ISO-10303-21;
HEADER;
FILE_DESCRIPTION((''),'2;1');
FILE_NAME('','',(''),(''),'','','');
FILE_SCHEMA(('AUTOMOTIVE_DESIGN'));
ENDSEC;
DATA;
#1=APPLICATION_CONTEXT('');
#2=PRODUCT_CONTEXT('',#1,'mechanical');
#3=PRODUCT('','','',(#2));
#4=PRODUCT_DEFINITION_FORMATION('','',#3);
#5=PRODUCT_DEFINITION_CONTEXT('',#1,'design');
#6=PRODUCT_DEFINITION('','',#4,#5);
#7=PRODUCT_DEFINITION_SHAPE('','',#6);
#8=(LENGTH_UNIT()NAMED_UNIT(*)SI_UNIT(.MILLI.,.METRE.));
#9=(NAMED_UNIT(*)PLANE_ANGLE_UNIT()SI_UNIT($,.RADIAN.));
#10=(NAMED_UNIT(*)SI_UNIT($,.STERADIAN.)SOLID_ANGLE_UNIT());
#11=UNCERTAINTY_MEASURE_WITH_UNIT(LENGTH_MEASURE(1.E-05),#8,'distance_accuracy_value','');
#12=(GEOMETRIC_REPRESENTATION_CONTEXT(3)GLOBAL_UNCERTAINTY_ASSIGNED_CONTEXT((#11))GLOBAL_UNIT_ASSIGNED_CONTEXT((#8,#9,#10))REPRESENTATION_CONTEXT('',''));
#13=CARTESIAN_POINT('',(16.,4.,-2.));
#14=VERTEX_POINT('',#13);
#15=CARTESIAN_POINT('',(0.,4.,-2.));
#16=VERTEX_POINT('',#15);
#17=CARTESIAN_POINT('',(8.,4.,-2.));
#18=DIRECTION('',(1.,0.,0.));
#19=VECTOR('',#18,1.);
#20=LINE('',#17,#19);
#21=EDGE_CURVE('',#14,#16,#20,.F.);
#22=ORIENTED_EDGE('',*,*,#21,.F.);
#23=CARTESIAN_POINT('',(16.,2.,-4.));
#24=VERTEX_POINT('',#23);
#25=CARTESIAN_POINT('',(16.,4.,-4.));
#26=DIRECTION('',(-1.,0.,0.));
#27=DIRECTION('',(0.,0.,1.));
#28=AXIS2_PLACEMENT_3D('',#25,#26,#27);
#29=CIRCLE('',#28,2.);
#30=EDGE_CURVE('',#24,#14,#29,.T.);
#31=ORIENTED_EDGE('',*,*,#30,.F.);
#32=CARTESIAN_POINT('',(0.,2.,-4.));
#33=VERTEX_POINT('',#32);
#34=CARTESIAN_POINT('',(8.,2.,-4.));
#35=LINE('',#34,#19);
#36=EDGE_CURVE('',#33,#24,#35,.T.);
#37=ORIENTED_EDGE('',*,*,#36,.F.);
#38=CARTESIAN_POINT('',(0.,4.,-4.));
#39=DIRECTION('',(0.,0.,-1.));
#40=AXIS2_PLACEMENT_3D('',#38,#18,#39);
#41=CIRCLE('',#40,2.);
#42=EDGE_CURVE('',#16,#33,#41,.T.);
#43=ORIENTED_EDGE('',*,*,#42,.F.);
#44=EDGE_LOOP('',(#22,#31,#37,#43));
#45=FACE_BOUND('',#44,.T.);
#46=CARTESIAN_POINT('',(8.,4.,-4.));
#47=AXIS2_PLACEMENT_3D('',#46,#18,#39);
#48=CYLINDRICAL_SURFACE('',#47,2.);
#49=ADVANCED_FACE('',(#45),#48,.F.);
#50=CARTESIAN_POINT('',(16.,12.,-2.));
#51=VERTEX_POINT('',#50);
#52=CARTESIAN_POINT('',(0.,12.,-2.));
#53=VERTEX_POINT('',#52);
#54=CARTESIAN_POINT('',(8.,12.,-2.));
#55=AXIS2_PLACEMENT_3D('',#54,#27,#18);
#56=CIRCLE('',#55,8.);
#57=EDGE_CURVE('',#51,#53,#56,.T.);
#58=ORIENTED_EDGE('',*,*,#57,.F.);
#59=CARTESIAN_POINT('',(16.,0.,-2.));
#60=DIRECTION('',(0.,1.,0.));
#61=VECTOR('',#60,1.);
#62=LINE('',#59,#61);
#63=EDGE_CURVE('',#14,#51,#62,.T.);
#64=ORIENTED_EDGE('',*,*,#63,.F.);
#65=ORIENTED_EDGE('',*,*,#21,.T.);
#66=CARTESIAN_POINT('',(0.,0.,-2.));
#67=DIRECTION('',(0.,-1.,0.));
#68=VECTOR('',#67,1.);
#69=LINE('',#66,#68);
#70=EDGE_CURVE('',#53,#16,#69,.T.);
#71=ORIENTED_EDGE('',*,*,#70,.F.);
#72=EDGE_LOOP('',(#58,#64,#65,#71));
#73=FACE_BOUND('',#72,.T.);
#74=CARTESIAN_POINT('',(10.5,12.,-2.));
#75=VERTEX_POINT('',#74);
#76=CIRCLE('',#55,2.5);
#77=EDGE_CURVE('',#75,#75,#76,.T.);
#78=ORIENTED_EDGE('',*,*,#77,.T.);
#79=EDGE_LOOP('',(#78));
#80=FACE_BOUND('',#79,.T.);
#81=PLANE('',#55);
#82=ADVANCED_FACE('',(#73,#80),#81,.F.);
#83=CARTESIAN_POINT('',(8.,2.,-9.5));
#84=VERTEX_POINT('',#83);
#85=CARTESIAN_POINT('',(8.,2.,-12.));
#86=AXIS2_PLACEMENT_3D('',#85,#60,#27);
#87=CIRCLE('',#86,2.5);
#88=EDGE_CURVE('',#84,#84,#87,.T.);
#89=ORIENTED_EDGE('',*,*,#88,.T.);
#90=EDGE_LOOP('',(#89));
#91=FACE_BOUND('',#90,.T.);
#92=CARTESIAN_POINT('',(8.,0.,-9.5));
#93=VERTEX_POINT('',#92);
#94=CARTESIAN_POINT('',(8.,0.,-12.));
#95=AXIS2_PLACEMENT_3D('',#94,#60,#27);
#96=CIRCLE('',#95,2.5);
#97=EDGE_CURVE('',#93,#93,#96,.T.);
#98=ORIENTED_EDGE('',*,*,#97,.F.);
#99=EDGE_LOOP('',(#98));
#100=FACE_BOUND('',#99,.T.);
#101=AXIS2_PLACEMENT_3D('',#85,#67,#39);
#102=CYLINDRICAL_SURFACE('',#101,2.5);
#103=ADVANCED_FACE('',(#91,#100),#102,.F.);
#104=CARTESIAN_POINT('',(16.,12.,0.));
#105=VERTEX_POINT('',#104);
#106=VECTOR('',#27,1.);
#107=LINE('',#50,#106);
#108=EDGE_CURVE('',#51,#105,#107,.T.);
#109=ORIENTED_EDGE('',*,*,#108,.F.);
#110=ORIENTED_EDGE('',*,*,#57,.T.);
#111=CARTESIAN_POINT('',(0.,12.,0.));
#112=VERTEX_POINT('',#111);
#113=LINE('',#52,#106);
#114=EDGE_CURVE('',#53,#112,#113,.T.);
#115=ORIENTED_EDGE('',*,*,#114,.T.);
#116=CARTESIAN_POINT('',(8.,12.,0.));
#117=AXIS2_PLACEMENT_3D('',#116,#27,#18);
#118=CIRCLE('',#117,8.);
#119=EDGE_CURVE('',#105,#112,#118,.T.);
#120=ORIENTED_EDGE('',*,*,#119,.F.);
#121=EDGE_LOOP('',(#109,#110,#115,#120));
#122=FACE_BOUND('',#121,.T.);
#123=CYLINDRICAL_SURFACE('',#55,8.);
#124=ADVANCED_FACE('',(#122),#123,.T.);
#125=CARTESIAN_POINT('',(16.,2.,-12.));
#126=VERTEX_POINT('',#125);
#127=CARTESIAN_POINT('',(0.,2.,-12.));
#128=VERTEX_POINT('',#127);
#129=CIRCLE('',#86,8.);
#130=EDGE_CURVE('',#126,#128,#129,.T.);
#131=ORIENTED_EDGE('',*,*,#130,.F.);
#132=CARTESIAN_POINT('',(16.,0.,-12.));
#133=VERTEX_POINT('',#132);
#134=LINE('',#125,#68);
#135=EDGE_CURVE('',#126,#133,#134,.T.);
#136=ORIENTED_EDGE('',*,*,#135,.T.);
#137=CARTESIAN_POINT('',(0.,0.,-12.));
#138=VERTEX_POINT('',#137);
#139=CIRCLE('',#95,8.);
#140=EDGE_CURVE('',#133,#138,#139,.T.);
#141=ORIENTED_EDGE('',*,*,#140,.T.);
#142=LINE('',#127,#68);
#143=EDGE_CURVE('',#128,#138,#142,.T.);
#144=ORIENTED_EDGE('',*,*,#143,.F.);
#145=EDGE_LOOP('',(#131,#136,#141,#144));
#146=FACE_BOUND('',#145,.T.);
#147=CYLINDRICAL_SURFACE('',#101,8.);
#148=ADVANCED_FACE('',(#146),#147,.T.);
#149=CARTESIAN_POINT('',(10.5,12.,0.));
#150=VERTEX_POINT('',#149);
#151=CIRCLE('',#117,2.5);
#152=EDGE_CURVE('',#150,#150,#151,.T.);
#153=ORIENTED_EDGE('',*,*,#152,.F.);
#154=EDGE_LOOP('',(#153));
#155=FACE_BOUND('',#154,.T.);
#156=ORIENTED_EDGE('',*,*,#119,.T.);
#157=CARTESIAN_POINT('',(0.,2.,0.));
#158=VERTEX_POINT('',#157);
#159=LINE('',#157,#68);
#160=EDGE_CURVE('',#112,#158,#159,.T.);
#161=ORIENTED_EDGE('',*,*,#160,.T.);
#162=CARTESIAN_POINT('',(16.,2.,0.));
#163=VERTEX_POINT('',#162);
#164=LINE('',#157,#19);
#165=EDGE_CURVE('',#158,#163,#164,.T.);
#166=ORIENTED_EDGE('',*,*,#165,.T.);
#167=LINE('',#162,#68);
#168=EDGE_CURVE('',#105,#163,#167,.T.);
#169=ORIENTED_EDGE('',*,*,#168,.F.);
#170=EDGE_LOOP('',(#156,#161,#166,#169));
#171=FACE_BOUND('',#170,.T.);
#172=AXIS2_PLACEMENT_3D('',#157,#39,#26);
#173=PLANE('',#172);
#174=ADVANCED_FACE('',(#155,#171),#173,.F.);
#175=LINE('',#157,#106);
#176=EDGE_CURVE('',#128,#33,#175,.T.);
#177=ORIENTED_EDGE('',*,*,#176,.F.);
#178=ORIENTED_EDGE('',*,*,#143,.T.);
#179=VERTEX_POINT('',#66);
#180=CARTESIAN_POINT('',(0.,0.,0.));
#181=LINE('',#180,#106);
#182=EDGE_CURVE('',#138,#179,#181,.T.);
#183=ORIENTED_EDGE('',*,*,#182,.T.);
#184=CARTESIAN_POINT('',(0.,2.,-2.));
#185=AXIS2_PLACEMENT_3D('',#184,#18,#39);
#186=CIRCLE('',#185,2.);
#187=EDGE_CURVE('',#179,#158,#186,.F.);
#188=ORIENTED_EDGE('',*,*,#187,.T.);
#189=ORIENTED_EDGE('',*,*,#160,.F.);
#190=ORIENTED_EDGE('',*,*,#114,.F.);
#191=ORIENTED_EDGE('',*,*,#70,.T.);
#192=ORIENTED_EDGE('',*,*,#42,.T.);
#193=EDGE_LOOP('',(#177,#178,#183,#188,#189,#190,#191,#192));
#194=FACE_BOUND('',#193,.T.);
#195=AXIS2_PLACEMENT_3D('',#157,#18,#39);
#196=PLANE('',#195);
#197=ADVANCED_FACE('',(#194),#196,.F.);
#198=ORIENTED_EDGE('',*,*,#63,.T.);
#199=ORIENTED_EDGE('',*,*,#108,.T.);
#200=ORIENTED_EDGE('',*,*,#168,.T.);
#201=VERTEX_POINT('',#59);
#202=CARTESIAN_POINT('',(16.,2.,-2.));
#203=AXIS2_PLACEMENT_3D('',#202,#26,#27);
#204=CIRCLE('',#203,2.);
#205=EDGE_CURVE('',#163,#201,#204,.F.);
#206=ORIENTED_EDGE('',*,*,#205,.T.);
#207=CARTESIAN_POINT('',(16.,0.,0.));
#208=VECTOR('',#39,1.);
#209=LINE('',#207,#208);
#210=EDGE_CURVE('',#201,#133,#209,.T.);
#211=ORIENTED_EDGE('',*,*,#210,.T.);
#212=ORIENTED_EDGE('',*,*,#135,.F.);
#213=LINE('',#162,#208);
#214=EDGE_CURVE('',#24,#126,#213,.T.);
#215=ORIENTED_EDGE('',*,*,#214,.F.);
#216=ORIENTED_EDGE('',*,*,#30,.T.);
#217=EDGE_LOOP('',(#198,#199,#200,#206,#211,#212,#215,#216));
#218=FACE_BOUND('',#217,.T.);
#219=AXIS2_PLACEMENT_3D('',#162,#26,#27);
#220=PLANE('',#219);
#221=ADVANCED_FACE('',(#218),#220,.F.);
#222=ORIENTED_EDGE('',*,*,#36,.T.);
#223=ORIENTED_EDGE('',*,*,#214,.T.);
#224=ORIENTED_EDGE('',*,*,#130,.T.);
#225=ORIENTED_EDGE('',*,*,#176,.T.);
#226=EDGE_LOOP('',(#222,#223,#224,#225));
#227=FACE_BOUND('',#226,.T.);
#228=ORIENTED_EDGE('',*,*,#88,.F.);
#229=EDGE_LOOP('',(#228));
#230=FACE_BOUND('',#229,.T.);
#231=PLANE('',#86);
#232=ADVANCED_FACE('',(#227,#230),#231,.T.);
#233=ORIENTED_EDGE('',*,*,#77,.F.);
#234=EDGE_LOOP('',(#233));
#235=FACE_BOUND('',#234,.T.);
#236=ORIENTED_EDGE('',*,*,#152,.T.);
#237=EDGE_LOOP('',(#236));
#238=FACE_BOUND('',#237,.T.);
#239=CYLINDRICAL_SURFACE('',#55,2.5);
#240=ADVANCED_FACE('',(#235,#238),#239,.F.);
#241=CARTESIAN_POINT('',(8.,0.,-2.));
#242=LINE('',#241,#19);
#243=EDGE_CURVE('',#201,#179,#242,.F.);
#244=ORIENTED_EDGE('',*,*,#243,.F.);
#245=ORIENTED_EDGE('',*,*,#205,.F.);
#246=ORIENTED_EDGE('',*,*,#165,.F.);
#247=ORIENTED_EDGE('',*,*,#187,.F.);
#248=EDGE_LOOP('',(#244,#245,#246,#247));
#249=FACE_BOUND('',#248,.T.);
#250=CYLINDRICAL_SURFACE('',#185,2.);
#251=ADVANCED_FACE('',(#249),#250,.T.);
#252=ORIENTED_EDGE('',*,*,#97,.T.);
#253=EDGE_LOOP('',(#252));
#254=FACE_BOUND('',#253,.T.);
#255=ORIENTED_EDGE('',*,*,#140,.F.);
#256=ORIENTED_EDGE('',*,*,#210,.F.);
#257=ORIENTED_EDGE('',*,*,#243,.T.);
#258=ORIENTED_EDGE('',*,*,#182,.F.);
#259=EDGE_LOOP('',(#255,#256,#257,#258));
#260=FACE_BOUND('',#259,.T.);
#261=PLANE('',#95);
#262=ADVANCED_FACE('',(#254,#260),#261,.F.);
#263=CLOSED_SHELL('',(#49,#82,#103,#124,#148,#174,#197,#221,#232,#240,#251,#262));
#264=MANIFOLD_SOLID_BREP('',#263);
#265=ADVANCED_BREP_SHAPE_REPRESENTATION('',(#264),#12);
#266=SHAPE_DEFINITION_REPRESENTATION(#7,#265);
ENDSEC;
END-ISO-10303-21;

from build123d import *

# Parameters (mm, degrees)
SKETCH_2_R      = 2.5
EXTRUDE_1_DEPTH = 2
SKETCH_3_R      = 2.5
EXTRUDE_2_DEPTH = 2
FILLET_1_R      = 2


with BuildPart() as part:
    # 草图2 → 凸台-拉伸1 (new body)
    with BuildSketch(Plane(origin=(0, 0, 0), x_dir=(1, 0, 0), z_dir=(0, 1, 0))):
        with BuildLine():
            Line((0, 0), (16, 0))
            Line((16, 0), (16, 12))
            ThreePointArc((16, 12), (8, 20), (0, 12))
            Line((0, 12), (0, 0))
        make_face()
        with Locations(Location((8, 12, 0), (0, 0, 270))):
            Circle(SKETCH_2_R, mode=Mode.SUBTRACT)
    extrude(amount=EXTRUDE_1_DEPTH)

    # 草图3 → 凸台-拉伸2 (add)
    with BuildSketch(Plane.XY):
        with BuildLine():
            Line((0, 0), (16, 0))
            Line((16, 0), (16, 12))
            ThreePointArc((16, 12), (8, 20), (0, 12))
            Line((0, 12), (0, 0))
        make_face()
        with Locations((8, 12)):
            Circle(SKETCH_3_R, mode=Mode.SUBTRACT)
    extrude(amount=-EXTRUDE_2_DEPTH)

    # 圆角1
    fillet_1_edges = [part.edges().sort_by_distance(p)[0] for p in [
        (8, 2, -2),
        (8, 0, 0),
    ]]
    fillet(fillet_1_edges, radius=FILLET_1_R)


solid = part.part
